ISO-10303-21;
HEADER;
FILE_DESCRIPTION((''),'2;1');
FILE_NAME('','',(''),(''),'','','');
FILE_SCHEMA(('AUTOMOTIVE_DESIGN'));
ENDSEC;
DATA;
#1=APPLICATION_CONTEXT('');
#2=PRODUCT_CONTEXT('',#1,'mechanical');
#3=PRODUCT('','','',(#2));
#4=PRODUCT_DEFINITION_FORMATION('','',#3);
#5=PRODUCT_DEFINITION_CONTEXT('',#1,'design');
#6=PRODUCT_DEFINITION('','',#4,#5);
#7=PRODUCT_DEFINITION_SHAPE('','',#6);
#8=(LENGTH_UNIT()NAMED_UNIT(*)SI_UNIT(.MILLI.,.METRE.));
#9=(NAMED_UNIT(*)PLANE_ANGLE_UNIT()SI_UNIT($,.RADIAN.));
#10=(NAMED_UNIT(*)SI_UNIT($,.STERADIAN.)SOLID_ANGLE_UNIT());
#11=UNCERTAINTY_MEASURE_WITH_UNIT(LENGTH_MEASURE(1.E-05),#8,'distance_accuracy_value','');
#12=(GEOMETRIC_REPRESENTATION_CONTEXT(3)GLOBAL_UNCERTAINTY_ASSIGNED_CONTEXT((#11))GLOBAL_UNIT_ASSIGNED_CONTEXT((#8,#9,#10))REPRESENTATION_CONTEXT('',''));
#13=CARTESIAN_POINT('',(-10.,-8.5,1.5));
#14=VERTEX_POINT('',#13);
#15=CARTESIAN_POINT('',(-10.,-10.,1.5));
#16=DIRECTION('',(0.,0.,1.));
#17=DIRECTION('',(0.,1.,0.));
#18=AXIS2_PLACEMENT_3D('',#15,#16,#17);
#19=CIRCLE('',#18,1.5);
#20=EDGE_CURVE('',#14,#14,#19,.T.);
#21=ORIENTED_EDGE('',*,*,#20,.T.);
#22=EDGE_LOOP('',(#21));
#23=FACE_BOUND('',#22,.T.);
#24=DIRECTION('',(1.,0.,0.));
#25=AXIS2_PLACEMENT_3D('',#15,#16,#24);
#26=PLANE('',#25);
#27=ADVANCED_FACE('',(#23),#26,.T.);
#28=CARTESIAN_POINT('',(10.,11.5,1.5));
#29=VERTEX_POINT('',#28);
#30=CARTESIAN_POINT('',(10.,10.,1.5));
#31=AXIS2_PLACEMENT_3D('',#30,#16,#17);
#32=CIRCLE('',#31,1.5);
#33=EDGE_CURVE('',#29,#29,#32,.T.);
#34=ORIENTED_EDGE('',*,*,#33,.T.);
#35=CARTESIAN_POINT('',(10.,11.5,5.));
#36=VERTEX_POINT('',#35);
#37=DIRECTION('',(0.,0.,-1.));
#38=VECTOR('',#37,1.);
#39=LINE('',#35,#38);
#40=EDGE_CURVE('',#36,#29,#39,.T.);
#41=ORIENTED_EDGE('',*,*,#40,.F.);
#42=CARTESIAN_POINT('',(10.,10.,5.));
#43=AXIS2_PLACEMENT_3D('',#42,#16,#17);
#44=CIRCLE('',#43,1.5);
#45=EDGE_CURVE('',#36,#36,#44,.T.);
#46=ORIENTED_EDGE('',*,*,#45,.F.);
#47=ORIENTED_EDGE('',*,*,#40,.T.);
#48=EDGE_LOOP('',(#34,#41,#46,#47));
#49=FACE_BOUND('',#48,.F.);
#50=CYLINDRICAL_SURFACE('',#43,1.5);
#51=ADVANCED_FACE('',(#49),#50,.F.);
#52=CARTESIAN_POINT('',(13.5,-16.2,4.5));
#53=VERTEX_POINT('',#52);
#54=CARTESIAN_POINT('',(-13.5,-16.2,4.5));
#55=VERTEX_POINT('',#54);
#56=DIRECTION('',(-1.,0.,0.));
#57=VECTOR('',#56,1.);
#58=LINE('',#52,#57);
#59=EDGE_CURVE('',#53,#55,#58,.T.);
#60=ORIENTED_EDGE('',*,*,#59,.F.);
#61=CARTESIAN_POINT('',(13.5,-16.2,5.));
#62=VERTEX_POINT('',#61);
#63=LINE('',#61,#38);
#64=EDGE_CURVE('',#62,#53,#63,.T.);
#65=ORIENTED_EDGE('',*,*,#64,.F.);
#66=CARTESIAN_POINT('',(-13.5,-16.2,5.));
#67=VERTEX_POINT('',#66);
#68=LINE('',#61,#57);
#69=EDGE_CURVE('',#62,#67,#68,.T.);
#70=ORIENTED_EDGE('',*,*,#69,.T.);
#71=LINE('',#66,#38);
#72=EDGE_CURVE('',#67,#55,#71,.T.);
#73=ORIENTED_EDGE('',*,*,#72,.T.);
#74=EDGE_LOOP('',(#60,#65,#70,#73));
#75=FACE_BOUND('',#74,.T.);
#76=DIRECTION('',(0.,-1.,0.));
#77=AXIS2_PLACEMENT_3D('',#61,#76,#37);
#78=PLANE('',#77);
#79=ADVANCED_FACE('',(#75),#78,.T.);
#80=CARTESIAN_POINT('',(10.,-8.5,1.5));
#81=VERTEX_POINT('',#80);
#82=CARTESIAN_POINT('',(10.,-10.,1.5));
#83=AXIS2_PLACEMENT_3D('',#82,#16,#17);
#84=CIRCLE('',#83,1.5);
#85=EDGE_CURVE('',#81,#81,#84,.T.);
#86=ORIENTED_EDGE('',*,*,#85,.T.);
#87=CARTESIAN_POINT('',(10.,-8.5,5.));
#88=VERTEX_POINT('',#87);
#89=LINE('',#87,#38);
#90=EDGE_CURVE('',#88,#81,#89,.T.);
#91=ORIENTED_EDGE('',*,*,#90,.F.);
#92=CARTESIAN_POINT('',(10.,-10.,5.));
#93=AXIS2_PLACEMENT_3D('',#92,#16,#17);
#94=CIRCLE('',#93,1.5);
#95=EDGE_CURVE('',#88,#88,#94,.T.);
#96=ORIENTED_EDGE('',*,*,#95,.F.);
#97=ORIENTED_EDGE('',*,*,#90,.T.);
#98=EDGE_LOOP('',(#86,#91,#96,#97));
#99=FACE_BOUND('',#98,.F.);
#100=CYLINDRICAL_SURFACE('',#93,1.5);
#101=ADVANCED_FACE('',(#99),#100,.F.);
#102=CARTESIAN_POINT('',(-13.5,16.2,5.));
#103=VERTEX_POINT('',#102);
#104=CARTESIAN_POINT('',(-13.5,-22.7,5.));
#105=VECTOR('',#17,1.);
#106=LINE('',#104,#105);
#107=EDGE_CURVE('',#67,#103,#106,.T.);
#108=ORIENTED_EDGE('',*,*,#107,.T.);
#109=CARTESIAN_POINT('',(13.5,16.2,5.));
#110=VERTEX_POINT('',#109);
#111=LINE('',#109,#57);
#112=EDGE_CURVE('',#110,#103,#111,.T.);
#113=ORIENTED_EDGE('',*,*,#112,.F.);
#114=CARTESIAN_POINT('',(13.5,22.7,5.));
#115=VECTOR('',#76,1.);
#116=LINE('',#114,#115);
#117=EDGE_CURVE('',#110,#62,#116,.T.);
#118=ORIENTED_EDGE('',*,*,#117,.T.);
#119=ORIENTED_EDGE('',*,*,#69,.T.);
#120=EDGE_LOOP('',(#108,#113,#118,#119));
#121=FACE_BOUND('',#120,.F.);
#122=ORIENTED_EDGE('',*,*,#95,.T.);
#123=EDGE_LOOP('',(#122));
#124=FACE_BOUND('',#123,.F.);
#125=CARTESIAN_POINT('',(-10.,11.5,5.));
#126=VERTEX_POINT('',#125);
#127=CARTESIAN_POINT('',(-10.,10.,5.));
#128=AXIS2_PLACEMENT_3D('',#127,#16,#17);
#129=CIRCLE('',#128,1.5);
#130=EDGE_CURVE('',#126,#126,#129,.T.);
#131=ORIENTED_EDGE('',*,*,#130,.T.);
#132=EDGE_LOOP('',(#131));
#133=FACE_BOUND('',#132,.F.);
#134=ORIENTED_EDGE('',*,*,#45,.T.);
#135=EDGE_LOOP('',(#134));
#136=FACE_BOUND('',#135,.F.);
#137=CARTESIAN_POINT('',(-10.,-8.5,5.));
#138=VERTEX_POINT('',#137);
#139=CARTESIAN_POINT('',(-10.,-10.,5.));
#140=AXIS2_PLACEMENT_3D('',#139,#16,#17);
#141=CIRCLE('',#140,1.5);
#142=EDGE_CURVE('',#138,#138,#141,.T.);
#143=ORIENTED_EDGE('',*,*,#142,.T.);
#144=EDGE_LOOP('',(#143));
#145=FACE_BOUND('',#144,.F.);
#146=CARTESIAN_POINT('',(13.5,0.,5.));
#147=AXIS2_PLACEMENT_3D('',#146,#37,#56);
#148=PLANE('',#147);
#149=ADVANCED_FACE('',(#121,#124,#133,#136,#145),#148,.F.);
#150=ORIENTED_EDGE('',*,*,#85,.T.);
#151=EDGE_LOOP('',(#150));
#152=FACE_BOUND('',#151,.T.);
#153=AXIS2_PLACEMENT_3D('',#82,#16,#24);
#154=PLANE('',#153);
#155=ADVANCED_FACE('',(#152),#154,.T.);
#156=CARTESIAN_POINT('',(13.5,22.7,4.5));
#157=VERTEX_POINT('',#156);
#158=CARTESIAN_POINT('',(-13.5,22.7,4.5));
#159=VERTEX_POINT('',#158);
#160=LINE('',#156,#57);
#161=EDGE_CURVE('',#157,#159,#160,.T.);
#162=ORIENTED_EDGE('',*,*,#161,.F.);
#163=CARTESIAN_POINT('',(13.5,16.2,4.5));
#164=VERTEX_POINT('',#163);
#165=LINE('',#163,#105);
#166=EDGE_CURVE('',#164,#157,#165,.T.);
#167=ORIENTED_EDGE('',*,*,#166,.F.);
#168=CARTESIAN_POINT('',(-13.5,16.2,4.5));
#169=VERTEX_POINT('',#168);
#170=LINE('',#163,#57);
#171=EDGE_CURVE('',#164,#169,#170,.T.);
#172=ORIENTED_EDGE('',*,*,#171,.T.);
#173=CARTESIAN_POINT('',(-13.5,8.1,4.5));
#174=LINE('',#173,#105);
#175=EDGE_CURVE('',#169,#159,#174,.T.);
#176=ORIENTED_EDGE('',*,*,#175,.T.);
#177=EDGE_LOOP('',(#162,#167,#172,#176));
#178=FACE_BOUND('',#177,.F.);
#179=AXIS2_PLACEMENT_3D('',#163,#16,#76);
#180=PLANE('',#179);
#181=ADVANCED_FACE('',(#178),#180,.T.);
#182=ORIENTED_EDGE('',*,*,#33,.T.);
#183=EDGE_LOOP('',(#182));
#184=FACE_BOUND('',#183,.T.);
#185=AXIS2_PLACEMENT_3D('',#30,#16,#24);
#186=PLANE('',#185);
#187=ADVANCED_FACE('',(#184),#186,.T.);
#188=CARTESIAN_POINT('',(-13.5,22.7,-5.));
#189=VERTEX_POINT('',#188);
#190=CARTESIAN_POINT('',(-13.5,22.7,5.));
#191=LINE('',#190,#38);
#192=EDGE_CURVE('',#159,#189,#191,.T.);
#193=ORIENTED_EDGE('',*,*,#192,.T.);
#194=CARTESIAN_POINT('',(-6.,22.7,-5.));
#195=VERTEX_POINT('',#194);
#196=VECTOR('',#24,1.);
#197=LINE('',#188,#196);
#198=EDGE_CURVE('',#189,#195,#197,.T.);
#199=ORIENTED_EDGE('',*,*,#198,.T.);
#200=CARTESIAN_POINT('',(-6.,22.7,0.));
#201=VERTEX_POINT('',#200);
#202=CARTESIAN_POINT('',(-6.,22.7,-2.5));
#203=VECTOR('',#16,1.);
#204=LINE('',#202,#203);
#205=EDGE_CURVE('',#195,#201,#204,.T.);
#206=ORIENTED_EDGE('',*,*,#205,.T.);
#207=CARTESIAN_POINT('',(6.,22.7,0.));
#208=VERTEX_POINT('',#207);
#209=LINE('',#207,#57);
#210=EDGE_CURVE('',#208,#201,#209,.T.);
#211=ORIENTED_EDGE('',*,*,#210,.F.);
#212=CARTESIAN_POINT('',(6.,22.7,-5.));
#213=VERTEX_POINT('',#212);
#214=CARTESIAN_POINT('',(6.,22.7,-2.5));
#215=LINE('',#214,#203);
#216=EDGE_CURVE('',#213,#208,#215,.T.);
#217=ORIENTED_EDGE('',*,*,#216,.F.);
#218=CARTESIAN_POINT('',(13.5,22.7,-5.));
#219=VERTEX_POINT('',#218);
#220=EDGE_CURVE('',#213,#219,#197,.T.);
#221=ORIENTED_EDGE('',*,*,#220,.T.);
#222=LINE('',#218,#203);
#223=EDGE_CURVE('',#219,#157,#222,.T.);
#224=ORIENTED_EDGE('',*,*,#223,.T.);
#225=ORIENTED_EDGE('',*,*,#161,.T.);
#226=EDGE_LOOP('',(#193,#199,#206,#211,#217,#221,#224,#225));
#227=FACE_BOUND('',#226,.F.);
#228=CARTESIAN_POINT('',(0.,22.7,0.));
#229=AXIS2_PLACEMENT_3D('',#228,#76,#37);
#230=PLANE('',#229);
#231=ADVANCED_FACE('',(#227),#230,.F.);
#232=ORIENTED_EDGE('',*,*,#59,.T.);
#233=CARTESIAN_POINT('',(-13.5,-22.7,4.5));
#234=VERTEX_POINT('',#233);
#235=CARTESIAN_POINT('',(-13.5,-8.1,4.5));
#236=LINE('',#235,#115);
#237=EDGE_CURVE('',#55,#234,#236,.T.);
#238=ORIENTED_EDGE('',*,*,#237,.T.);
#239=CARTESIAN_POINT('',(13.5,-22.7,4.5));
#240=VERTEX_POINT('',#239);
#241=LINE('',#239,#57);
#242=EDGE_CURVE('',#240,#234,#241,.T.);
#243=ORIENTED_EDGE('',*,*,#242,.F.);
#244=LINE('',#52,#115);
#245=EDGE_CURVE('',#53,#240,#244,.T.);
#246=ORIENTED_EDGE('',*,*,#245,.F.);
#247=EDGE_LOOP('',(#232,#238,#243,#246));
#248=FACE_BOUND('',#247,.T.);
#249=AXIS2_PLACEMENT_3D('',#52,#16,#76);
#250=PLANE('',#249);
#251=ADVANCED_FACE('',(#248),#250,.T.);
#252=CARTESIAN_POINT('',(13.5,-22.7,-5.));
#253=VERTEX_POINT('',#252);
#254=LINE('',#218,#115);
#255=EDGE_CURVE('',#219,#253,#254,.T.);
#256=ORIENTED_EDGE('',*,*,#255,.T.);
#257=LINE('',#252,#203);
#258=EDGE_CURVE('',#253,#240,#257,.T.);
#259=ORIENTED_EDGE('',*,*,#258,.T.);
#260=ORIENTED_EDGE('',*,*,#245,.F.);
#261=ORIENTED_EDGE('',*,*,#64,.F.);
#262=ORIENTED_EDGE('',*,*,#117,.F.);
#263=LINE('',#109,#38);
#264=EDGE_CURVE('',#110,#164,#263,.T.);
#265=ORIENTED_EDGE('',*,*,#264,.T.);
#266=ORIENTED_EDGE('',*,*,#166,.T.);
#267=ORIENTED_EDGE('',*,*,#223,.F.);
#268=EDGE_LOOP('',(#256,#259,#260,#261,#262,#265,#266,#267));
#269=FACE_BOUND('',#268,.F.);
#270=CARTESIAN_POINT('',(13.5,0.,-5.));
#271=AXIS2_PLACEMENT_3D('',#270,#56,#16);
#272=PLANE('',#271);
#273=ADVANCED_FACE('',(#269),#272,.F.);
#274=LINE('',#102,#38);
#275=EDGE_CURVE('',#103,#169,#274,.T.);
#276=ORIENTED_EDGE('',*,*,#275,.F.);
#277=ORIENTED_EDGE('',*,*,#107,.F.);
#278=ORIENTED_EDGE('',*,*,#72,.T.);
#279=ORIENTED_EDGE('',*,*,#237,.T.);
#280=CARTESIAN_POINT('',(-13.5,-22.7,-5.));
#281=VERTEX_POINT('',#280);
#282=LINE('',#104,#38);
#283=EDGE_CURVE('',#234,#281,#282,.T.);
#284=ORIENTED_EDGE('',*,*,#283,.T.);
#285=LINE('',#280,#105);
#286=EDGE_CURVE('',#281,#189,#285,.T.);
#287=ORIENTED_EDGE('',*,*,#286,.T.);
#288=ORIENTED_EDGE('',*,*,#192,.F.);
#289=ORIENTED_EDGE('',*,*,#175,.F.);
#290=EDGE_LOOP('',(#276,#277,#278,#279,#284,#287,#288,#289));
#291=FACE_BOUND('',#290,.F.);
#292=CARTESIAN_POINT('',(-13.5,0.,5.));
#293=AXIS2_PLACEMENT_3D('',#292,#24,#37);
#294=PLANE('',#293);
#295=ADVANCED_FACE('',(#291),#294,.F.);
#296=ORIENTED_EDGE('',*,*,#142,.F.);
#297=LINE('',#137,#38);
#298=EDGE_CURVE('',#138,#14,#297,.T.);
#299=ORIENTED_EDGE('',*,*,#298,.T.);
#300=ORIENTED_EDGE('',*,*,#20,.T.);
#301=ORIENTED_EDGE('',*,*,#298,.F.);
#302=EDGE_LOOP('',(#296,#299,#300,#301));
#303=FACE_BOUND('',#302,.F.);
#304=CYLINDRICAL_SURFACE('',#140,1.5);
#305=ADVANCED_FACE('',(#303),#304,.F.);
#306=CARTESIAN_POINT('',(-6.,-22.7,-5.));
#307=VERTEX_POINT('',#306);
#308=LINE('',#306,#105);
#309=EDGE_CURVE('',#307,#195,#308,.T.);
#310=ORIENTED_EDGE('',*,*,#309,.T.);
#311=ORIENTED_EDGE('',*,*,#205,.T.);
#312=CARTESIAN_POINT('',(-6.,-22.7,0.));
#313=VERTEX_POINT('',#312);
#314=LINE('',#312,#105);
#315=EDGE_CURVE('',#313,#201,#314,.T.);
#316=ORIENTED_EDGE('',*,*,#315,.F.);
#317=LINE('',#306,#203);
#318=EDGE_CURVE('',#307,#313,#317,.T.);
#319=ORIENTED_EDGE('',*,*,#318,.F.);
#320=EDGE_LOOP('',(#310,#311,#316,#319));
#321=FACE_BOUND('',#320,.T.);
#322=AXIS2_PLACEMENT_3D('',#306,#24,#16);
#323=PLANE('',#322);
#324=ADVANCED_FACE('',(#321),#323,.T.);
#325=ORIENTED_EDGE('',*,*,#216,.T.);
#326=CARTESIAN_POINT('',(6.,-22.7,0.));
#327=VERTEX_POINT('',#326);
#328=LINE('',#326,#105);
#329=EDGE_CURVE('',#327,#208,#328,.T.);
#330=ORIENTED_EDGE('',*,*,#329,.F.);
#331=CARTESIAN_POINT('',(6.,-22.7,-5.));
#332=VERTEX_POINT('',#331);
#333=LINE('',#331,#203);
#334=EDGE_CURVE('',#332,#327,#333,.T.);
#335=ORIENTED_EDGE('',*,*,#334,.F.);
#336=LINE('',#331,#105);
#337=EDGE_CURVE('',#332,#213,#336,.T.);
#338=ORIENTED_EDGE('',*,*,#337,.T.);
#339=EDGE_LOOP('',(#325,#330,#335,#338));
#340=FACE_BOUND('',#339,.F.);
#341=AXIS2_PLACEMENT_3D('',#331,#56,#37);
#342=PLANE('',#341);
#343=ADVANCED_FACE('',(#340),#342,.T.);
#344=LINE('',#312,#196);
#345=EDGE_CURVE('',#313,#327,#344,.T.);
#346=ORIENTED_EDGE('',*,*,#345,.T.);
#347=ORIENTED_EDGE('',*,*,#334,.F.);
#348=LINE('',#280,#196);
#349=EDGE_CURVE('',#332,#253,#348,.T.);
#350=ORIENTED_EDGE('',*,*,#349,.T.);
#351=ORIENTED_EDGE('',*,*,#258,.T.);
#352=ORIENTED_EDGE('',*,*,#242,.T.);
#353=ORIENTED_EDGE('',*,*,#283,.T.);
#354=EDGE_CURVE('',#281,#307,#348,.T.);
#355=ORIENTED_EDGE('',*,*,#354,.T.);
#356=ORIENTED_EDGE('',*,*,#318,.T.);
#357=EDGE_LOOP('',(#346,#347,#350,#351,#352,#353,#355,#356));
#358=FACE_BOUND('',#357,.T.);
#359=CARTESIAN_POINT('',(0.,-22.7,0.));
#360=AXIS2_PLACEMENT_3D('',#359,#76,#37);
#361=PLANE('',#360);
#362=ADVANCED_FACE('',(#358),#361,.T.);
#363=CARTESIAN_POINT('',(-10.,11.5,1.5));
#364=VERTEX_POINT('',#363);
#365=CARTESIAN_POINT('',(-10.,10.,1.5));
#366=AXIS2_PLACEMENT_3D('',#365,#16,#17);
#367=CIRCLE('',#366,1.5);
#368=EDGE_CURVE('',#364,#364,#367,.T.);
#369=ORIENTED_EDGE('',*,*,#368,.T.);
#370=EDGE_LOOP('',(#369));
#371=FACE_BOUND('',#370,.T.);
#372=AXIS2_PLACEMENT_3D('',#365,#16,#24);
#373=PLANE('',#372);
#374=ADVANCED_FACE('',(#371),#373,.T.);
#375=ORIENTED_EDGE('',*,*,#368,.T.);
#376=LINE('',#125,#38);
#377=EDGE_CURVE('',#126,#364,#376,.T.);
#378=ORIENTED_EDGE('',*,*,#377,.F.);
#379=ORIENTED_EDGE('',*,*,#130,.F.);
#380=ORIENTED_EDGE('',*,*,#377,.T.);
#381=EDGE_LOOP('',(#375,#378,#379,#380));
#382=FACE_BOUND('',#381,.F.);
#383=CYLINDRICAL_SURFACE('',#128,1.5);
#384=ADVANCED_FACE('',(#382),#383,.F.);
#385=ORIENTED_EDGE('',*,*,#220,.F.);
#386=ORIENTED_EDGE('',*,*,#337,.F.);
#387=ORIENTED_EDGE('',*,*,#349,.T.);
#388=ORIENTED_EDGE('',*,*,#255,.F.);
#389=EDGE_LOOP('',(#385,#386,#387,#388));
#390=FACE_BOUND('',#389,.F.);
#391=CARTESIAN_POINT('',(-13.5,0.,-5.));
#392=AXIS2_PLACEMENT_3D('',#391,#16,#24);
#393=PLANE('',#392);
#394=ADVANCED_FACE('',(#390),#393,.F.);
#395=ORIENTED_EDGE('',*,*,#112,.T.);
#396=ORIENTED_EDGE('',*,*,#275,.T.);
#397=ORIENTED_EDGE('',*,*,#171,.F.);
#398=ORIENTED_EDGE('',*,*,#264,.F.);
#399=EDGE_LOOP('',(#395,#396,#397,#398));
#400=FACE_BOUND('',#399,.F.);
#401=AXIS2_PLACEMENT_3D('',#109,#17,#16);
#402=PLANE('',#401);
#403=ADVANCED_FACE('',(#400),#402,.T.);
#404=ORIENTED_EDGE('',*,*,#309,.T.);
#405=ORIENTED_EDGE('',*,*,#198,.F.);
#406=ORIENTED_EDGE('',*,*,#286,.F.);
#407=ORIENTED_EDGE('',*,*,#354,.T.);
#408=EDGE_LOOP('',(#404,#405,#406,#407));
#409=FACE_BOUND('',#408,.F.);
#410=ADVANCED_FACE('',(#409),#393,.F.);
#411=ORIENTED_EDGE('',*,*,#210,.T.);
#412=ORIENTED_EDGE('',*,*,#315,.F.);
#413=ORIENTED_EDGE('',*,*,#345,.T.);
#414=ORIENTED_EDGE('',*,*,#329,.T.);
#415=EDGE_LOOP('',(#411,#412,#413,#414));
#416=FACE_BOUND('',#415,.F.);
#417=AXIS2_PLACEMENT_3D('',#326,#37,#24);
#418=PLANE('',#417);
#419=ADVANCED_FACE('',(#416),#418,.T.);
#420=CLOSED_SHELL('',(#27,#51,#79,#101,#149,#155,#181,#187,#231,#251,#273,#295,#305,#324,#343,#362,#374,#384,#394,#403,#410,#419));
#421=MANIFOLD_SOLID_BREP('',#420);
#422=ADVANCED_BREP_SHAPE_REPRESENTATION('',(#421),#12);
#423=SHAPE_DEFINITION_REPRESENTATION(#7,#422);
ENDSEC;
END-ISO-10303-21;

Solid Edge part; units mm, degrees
sketch "Sketch1" plane through (0, 0, 0) normal (0, -1, 0) x (1, 0, 0)
  line L0 (-13.5, -5) -> (13.5, -5)
  line L1 (13.5, -5) -> (13.5, 5)
  line L2 (13.5, 5) -> (-13.5, 5)
  line L3 (-13.5, 5) -> (-13.5, -5)
  dimension "D1" = 27
  dimension "D2" = 10
extrude "Protrusion1" add sketch "Sketch1" along normal mid plane 45.4
sketch "Sketch2" plane through (13.5, 0, 0) normal (1, 0, 0) x (0, 1, 0)
  line L0 (-22.7, 5) -> (-16.2, 5)
  line L1 (-16.2, 5) -> (-16.2, 4.5)
  line L2 (-16.2, 4.5) -> (-22.7, 4.5)
  line L3 (-22.7, 4.5) -> (-22.7, 5)
  dimension "D1" = 16.2
  dimension "D2" = 0.5
extrude "Cutout1" cut sketch "Sketch2" against normal through all
mirror "Mirror1" about plane through (0, 0, 0) normal (0, -1, 0) of "Cutout1"
sketch "Sketch3" plane through (0, -22.7, -0.25) normal (0, -1, 0) x (1, 0, 0)
  line L0 (0, -4.75) -> (-6, -4.75)
  line L1 (-6, -4.75) -> (-6, 0.25)
  line L2 (-6, 0.25) -> (0, 0.25)
  line L3 (0, 0.25) -> (0, -4.75)
  dimension "D1" = 5
  dimension "D2" = 6
extrude "Cutout3" cut sketch "Sketch3" against normal through all
mirror "Mirror2" about plane through (0, 0, 0) normal (-1, 0, 0) of "Cutout3"
sketch "Sketch4" plane through (0, 0, 5) normal (0, 0, 1) x (0, 1, 0)
  circle A0 centre (-10, 10) radius 1.5
  circle A1 centre (10, 10) radius 1.5
  circle A2 centre (10, -10) radius 1.5
  circle A3 centre (-10, -10) radius 1.5
  dimension "D1" = 3
  dimension "D2" = 20
  dimension "D3" = 20
extrude "ExtrudedCutout_5" cut sketch "Sketch4" against normal blind 3.5
properties material "Stainless Steel, 304"
